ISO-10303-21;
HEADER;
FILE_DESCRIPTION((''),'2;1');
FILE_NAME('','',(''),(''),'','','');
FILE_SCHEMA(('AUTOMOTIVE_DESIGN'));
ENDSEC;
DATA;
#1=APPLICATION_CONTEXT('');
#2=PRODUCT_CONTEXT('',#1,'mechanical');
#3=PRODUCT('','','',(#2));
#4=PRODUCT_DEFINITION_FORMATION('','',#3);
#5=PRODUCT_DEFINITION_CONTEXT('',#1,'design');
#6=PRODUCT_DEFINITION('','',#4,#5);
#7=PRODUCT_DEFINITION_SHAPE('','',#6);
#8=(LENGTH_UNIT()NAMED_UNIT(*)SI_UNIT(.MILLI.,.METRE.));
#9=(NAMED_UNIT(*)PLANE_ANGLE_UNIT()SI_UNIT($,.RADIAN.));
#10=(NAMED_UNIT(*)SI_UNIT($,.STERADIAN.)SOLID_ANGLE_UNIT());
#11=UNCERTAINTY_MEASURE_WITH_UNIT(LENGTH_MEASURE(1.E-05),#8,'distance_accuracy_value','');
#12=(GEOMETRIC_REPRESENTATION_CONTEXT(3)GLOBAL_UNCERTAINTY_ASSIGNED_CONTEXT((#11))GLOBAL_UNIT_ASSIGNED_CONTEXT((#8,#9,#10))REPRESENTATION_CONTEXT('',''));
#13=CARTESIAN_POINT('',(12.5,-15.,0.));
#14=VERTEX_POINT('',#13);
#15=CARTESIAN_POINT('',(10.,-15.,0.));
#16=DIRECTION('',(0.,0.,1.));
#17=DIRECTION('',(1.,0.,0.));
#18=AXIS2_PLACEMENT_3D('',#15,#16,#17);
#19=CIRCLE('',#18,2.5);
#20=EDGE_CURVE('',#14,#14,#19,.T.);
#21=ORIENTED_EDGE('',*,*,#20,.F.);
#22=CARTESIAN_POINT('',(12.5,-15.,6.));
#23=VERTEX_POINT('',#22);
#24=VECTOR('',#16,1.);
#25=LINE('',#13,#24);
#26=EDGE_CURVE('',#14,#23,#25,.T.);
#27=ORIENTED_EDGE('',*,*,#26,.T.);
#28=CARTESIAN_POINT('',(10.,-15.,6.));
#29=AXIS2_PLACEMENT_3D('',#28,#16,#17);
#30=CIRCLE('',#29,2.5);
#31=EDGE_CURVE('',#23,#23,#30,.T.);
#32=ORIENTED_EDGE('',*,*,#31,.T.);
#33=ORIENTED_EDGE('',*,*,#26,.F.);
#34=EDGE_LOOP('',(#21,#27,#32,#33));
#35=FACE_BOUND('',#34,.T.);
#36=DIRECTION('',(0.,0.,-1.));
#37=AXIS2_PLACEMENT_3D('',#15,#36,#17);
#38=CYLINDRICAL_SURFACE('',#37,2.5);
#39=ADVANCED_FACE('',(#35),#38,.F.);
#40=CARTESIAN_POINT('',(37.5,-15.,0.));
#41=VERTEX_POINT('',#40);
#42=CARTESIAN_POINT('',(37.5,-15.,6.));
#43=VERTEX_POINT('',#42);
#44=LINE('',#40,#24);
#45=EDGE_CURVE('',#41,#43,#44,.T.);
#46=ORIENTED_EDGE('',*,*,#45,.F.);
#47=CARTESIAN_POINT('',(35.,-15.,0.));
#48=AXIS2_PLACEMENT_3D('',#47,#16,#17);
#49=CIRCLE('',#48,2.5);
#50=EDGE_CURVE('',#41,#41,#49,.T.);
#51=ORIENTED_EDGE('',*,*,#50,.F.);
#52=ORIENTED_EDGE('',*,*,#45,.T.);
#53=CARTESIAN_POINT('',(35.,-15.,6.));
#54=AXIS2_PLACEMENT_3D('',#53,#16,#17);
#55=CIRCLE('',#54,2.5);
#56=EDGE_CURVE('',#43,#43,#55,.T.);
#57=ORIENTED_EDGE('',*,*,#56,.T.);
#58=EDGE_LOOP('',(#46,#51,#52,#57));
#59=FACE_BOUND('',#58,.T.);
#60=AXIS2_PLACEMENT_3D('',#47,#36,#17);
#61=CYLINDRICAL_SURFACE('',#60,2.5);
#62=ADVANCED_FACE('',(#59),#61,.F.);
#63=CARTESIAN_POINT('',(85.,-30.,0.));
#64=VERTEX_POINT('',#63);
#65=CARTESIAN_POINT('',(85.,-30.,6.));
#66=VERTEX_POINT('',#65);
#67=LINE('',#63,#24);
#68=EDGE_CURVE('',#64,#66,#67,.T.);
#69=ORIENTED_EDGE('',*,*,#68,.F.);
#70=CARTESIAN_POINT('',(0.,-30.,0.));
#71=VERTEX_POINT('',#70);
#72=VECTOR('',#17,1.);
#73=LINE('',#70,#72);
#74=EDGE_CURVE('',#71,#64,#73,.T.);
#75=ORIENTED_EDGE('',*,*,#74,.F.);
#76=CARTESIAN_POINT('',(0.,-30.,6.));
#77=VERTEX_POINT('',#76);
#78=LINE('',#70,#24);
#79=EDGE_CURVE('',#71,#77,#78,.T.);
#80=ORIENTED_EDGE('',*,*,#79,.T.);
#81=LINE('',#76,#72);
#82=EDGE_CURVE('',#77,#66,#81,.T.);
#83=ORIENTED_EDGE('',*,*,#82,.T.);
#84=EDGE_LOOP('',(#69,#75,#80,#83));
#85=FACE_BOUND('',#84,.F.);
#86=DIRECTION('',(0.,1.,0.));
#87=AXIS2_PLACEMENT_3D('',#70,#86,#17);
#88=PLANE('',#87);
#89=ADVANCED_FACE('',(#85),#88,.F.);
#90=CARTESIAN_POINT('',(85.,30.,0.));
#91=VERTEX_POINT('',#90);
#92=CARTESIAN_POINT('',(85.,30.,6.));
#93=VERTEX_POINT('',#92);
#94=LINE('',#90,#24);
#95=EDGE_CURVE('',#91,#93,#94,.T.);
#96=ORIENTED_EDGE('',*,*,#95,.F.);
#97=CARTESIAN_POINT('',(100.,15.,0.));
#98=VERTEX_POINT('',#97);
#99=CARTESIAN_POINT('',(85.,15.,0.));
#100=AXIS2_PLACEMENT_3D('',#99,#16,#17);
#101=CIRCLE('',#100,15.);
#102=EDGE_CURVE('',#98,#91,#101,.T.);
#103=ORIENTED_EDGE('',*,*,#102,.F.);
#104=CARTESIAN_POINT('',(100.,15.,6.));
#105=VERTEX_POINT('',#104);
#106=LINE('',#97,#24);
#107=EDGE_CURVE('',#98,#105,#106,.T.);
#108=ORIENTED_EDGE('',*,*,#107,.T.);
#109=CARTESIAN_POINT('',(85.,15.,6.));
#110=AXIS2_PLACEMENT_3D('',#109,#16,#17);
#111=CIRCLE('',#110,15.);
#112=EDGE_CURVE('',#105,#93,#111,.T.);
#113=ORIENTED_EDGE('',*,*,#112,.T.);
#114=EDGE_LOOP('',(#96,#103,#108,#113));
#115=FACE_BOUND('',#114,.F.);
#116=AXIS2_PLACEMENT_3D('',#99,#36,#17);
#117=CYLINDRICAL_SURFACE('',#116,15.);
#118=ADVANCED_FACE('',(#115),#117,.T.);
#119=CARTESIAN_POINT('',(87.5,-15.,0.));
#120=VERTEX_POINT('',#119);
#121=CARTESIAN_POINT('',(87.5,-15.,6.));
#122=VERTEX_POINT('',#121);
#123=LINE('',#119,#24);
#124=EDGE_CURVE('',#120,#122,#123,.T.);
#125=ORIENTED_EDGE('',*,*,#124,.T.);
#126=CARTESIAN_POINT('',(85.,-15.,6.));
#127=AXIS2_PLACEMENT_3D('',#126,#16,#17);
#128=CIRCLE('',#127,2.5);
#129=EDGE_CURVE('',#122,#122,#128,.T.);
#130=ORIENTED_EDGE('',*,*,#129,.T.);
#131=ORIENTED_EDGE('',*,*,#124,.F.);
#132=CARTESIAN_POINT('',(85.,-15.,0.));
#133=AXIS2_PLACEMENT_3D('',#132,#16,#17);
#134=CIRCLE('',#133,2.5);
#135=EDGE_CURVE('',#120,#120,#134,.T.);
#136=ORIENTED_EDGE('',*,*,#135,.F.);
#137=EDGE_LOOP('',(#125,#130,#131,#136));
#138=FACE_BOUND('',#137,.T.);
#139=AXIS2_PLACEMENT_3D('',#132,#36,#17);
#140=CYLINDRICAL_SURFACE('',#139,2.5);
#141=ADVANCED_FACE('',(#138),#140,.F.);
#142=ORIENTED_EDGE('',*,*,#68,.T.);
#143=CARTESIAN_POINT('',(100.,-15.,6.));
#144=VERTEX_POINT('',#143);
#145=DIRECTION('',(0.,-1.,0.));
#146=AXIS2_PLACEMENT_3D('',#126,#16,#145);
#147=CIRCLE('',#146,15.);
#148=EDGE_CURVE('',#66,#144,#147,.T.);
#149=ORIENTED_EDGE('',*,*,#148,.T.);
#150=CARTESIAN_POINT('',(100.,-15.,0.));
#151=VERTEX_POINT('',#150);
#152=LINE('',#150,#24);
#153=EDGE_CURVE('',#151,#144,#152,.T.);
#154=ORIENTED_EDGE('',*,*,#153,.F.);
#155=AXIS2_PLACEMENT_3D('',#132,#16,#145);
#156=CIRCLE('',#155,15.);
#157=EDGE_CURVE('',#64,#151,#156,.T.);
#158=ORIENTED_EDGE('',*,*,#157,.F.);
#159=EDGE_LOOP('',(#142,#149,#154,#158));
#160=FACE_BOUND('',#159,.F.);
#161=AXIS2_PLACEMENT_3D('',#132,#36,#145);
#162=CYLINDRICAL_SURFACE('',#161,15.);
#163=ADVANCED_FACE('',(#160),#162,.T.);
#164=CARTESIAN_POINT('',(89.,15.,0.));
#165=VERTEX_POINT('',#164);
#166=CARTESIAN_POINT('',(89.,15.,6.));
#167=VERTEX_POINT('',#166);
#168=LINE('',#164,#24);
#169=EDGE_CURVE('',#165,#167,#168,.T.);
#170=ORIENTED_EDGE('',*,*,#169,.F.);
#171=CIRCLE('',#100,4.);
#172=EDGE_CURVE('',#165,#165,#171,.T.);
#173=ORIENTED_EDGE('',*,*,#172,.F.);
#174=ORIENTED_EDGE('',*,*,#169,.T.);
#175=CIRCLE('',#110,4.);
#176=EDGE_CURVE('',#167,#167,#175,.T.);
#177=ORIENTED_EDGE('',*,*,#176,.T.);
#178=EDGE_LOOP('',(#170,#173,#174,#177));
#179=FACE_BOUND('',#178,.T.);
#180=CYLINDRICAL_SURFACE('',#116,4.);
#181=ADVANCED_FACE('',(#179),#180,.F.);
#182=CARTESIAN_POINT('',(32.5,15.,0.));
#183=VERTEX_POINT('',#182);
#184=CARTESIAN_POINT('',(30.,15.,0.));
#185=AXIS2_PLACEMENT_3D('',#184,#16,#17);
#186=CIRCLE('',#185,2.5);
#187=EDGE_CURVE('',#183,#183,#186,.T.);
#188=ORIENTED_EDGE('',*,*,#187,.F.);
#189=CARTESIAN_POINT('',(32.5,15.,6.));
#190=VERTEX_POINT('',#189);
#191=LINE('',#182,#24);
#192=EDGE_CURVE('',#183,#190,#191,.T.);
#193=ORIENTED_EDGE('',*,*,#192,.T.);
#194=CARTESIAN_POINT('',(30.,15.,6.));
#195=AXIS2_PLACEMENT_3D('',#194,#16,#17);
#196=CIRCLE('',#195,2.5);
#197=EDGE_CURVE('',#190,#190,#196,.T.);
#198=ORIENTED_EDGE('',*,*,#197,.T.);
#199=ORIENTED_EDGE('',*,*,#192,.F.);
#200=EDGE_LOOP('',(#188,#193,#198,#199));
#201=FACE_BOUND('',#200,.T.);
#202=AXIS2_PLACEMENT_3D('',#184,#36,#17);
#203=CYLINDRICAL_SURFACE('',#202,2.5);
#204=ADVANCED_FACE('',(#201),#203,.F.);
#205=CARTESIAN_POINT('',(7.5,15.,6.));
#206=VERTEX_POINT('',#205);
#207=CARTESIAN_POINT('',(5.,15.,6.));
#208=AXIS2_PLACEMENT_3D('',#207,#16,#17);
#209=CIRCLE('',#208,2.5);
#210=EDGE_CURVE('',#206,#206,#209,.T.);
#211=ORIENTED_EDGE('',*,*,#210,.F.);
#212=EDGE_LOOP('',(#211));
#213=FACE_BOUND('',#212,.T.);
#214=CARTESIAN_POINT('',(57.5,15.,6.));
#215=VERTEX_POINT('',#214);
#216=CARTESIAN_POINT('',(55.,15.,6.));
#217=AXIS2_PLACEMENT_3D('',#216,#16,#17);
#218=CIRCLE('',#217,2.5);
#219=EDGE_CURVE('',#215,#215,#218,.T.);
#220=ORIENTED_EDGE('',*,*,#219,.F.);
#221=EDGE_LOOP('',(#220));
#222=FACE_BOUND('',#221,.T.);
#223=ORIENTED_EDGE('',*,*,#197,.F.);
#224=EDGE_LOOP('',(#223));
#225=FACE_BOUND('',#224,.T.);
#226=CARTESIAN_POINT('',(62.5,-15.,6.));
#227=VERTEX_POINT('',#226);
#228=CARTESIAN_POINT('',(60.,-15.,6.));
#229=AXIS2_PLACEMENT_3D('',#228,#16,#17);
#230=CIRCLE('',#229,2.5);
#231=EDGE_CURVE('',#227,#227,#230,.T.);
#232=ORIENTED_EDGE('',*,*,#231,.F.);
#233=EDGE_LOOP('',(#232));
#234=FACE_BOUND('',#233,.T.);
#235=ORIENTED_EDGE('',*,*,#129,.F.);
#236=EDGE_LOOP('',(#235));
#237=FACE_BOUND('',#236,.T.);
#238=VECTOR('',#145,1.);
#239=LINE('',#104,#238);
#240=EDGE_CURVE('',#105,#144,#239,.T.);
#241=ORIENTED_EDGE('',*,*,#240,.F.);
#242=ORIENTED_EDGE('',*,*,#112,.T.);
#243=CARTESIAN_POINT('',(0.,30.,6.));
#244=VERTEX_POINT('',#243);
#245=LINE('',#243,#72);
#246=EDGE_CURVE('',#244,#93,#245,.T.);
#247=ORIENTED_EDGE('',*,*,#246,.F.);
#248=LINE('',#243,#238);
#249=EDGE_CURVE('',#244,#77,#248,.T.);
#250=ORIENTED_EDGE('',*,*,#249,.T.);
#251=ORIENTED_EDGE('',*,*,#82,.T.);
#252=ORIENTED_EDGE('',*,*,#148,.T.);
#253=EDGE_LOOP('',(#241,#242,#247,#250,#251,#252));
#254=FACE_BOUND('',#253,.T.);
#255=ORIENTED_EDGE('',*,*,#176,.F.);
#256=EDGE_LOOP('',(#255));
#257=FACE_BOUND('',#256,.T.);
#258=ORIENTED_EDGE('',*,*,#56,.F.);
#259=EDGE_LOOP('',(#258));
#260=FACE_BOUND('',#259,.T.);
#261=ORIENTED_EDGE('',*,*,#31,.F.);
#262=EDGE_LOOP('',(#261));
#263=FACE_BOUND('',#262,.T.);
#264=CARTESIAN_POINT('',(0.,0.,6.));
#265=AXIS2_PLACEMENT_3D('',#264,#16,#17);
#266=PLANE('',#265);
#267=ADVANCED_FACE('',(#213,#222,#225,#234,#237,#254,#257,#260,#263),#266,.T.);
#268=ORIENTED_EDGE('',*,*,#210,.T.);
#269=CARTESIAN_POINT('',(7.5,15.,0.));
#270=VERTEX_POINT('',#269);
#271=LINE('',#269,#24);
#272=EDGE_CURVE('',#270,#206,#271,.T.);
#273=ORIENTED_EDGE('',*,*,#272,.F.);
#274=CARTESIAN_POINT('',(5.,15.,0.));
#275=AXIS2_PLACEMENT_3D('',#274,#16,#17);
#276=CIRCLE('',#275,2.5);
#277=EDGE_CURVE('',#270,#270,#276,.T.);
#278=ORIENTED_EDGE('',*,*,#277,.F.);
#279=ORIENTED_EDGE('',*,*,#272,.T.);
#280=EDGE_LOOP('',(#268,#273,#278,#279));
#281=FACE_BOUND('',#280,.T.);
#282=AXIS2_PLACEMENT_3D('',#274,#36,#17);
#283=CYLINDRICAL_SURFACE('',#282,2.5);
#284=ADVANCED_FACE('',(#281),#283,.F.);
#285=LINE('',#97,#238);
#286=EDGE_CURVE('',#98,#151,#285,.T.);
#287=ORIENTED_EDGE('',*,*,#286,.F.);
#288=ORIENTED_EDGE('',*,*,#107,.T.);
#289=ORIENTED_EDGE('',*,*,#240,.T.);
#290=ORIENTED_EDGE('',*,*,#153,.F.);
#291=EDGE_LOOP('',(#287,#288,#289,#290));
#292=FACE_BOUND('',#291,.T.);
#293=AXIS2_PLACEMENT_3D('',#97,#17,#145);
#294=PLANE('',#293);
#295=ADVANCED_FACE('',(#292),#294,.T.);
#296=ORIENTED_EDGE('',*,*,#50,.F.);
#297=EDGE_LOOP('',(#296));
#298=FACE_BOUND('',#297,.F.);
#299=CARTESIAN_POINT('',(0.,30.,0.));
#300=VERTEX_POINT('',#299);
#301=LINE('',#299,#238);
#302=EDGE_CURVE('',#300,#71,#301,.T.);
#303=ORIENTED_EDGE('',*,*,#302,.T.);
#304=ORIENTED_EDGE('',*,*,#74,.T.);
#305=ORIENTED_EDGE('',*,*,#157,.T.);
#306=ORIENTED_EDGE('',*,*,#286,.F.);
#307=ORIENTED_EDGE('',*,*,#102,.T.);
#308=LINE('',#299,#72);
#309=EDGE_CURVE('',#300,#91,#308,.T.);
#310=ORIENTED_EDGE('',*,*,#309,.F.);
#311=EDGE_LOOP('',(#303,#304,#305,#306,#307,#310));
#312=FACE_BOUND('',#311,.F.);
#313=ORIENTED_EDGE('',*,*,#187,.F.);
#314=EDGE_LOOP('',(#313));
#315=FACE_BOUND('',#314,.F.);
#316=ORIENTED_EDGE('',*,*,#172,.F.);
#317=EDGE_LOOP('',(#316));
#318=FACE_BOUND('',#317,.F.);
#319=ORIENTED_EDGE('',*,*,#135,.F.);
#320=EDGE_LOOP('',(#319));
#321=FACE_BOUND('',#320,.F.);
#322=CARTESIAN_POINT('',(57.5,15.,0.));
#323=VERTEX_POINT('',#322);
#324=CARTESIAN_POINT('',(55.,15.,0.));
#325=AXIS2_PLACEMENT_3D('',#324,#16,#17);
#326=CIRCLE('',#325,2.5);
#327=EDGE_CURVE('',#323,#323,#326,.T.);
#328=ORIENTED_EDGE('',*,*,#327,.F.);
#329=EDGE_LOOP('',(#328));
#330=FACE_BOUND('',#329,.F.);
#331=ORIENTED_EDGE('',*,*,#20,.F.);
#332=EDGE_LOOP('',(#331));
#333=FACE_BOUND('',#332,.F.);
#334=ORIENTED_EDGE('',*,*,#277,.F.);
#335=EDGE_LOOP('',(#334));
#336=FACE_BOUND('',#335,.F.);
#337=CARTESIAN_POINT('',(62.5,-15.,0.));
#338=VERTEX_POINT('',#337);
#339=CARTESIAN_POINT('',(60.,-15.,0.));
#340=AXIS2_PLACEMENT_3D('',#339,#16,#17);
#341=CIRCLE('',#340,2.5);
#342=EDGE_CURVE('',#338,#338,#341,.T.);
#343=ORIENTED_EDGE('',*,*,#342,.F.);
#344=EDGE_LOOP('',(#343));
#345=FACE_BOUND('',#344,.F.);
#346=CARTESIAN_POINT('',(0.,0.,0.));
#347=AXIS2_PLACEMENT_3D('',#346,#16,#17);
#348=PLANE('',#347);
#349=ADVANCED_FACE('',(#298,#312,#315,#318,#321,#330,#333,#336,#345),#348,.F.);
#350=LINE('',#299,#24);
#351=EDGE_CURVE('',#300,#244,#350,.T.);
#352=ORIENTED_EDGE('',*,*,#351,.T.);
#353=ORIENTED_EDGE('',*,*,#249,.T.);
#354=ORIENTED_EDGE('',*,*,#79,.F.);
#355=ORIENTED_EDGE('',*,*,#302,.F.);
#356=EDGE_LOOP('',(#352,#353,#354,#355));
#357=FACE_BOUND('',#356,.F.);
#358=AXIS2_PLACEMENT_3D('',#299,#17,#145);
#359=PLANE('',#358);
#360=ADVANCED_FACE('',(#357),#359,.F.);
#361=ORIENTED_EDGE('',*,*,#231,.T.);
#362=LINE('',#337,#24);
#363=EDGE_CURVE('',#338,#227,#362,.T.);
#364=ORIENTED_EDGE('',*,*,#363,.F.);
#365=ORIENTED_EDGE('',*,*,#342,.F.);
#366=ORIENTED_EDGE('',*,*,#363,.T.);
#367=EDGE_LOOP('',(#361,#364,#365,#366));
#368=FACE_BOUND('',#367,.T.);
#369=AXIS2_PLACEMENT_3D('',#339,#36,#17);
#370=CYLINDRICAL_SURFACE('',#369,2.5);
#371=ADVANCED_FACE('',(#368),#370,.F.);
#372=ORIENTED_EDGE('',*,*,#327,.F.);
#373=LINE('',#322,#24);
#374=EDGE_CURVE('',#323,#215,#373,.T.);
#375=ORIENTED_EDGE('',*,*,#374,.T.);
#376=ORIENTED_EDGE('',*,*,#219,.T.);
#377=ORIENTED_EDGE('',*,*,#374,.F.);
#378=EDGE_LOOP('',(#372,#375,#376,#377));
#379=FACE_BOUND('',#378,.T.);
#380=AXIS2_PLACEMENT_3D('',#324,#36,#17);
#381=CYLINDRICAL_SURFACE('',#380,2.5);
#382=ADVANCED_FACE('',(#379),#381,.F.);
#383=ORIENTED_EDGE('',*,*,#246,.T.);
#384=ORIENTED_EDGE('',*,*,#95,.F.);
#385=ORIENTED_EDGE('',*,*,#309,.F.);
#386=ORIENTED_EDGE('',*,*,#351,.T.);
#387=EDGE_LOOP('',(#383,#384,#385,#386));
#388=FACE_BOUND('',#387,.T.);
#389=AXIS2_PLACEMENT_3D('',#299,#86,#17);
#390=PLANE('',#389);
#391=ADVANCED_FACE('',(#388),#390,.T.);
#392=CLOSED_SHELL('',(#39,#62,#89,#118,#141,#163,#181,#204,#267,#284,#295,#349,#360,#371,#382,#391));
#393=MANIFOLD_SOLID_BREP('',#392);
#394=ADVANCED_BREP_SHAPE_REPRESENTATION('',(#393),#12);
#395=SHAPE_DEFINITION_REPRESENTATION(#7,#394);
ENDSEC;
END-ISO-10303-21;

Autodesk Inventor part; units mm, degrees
ref_plane "YZ Plane" through (0, 0, 0) normal (1, 0, 0) x (0, 1, 0)
ref_plane "XZ Plane" through (0, 0, 0) normal (0, 1, 0) x (-1, 0, 0)
ref_plane "XY Plane" through (0, 0, 0) normal (0, 0, 1) x (1, 0, 0)
sketch "Sketch1" plane through (0, 0, 0) normal (0, 0, 1) x (1, 0, 0)
  line L0 (0, 30) -> (85, 30)
  circle A0 centre (5, 15) radius 2.5
  circle A1 centre (30, 15) radius 2.5
  circle A2 centre (85, 15) radius 4
  circle A3 centre (55, 15) radius 2.5
  line L1 (0, 30) -> (0, -30)
  line L2 (0, -30) -> (85, -30)
  arc A4 (85, -30) -> (100, -15) centre (85, -15) ccw
  arc A5 (100, 15) -> (85, 30) centre (85, 15) ccw
  line L3 (100, 15) -> (100, -15)
  line L4 (0, -46.3492) -> (0, 46.3492) projected
  circle A6 centre (60, -15) radius 2.5
  circle A7 centre (35, -15) radius 2.5
  circle A8 centre (10, -15) radius 2.5
  circle A9 centre (85, -15) radius 2.5
  point P0 (0, 0)
  dimension "d2" = 5
  dimension "d6" = 8
  dimension "d12" = 25
  dimension "d13" = 25
  dimension "d14" = 60
  dimension "d15" = 30
  dimension "d16" = 15
  dimension "d17" = 15
  dimension "d18" = 5
  dimension "d20" = 15
  dimension "d21" = 85
  dimension "d22" = 15
  dimension "d23" = 15
  dimension "d24" = 25
  dimension "d25" = 25
  dimension "d26" = 25
  dimension "d27" = 15
  dimension "d28" = 15
  dimension "d29" = 15
extrude "Extrusion1" add sketch "Sketch1" along normal blind 6
properties part number "fixation_plate2"
